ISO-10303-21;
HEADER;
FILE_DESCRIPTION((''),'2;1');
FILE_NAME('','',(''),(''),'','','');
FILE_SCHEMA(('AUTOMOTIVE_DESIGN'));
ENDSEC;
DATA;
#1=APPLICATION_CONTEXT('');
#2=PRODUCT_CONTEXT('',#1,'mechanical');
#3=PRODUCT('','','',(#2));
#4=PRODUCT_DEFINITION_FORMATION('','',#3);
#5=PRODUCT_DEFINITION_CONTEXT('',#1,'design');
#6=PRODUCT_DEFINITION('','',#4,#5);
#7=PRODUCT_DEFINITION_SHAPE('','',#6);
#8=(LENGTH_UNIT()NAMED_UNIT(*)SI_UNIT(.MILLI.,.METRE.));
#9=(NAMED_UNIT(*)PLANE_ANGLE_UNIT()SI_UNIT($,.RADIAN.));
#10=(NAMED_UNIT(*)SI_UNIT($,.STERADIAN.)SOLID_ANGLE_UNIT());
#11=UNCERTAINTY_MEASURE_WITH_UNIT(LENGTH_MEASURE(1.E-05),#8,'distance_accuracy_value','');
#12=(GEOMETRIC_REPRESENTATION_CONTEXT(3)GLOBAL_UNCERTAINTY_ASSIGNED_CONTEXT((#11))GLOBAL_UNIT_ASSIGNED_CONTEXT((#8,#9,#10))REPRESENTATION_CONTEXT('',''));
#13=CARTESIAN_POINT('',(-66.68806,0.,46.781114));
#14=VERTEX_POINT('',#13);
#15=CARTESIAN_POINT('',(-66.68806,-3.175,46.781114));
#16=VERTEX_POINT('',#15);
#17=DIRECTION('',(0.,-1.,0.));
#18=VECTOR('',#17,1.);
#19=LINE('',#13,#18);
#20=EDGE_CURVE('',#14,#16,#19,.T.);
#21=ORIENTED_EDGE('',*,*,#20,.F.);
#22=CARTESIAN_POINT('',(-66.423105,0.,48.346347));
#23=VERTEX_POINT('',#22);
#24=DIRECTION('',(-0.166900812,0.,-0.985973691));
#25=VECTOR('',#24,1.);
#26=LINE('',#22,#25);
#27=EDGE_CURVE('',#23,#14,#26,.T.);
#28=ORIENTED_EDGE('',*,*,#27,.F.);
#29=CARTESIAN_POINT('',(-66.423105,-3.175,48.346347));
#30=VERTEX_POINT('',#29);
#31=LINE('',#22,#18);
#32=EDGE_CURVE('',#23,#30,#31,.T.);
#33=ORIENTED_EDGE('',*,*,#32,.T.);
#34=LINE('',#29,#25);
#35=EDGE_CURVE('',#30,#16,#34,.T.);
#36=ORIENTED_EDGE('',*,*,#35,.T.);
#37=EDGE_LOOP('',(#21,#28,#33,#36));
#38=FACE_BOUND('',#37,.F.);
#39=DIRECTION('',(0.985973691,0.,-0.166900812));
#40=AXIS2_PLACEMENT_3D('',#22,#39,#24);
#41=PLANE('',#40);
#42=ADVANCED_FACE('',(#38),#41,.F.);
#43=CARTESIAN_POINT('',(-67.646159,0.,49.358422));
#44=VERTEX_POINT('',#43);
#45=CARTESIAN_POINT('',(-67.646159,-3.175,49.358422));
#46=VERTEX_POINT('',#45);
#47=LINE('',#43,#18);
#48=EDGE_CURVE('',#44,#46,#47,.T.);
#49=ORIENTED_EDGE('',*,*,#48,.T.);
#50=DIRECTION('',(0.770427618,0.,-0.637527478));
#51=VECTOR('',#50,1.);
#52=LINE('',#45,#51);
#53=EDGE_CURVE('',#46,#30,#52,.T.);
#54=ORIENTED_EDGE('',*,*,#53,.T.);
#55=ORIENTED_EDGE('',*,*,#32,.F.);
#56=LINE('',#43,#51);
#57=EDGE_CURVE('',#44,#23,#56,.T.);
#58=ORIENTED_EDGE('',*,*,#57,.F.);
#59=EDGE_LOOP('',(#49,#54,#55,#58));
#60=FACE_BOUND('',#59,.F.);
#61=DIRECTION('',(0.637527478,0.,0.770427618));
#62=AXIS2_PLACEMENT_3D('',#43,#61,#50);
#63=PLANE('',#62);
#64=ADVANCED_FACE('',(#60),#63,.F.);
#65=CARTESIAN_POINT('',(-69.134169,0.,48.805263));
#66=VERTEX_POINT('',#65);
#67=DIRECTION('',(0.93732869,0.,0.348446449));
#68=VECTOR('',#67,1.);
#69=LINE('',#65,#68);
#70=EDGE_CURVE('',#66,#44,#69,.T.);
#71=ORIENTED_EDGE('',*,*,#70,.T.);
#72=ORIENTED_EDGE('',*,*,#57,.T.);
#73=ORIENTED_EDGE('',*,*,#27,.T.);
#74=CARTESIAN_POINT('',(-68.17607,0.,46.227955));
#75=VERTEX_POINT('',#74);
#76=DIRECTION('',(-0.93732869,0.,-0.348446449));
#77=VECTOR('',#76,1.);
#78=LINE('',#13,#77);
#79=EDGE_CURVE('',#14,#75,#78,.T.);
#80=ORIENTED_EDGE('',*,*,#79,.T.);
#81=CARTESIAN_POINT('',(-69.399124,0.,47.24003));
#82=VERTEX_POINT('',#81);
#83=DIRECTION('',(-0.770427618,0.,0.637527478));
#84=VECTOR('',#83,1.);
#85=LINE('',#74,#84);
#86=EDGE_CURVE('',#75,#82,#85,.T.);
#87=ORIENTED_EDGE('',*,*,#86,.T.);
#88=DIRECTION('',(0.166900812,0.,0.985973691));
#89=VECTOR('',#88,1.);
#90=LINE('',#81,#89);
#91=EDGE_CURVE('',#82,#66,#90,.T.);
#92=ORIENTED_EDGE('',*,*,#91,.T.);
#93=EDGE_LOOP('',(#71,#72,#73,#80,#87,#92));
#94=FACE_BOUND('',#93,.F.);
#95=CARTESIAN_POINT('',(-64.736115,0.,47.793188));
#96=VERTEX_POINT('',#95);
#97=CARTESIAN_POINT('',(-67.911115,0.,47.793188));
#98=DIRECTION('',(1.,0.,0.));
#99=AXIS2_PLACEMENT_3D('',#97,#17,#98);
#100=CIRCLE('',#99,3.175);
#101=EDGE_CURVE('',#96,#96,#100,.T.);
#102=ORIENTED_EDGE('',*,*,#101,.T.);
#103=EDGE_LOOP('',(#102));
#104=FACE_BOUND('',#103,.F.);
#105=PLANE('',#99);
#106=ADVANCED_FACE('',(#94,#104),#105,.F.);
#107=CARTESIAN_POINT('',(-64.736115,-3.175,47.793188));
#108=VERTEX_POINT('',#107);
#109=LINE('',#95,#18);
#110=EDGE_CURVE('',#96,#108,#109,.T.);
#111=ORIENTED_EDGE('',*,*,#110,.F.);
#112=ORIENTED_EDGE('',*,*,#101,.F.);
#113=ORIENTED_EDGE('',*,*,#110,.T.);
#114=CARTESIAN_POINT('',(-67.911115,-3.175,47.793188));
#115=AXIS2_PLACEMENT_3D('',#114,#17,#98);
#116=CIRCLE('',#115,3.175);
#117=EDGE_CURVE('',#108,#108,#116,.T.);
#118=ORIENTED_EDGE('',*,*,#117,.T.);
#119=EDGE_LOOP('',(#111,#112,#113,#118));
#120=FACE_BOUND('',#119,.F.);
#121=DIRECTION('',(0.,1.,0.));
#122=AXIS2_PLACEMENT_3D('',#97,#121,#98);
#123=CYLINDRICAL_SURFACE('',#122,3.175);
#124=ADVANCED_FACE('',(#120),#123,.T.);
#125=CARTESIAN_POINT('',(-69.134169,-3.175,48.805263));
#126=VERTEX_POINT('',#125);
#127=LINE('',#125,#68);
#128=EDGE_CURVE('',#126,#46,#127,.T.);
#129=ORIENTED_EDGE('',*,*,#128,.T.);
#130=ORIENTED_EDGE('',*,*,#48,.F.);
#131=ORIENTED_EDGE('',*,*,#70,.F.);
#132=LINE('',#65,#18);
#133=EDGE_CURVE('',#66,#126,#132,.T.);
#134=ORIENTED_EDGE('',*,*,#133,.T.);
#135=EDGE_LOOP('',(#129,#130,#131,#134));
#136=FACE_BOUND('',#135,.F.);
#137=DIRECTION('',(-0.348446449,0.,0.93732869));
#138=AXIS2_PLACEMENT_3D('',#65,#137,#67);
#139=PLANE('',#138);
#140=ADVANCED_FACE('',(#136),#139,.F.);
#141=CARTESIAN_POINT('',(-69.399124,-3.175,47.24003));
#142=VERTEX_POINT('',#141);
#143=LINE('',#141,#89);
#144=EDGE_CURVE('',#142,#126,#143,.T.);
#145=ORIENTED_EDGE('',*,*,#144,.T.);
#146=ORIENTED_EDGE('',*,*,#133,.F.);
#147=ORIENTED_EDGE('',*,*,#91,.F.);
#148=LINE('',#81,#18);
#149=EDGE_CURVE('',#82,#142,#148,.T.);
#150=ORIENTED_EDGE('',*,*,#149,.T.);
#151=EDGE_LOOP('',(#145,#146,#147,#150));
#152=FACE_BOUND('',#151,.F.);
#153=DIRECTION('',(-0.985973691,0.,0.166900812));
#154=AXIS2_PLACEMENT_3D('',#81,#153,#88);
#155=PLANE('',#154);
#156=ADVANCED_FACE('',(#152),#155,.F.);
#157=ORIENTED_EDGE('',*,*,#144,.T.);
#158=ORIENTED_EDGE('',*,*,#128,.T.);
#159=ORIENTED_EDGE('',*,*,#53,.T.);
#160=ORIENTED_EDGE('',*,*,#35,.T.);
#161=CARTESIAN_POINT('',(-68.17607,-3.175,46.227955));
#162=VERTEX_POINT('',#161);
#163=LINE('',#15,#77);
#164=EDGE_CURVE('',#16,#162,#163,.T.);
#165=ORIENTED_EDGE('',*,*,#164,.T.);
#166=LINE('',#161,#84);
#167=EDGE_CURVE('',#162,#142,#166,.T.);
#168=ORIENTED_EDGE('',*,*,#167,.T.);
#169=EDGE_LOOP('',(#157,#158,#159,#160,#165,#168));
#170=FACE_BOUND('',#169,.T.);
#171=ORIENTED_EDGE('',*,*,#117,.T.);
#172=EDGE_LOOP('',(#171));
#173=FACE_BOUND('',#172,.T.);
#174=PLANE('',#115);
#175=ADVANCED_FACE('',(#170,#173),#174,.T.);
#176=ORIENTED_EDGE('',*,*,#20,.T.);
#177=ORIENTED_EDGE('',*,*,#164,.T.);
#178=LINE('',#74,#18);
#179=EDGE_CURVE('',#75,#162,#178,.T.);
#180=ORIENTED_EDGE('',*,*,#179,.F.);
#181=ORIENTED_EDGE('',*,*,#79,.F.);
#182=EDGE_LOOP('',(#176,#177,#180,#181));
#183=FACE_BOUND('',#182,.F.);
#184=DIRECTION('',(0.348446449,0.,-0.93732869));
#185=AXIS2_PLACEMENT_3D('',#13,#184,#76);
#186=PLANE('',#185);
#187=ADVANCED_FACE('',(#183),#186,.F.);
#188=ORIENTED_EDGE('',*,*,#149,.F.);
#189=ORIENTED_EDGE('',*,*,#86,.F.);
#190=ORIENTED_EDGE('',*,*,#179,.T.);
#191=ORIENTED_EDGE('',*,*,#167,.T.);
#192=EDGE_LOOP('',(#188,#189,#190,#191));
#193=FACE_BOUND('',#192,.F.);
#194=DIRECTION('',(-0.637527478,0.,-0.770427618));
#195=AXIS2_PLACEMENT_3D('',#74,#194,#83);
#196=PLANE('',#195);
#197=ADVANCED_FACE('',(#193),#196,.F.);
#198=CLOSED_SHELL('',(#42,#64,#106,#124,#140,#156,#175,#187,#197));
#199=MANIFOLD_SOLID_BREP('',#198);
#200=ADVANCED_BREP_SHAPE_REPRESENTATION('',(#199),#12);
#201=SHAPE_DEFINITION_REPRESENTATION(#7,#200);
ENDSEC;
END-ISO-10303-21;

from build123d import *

# Parameters (mm, degrees)
F0_R     = 3.175
F1_DEPTH = 3.175


with BuildPart() as f1:
    # F0 (on Front) → F1 (new body)
    with BuildSketch(Plane.XZ):
        with Locations((-67.911115, 47.793188)):
            Circle(F0_R)
        Polygon((-66.423105, 48.346347), (-66.68806, 46.781114), (-68.17607, 46.227955), (-69.399124, 47.24003), (-69.134169, 48.805263), (-67.646159, 49.358422), align=None, mode=Mode.SUBTRACT)
    extrude(amount=F1_DEPTH)


solid = f1.part
